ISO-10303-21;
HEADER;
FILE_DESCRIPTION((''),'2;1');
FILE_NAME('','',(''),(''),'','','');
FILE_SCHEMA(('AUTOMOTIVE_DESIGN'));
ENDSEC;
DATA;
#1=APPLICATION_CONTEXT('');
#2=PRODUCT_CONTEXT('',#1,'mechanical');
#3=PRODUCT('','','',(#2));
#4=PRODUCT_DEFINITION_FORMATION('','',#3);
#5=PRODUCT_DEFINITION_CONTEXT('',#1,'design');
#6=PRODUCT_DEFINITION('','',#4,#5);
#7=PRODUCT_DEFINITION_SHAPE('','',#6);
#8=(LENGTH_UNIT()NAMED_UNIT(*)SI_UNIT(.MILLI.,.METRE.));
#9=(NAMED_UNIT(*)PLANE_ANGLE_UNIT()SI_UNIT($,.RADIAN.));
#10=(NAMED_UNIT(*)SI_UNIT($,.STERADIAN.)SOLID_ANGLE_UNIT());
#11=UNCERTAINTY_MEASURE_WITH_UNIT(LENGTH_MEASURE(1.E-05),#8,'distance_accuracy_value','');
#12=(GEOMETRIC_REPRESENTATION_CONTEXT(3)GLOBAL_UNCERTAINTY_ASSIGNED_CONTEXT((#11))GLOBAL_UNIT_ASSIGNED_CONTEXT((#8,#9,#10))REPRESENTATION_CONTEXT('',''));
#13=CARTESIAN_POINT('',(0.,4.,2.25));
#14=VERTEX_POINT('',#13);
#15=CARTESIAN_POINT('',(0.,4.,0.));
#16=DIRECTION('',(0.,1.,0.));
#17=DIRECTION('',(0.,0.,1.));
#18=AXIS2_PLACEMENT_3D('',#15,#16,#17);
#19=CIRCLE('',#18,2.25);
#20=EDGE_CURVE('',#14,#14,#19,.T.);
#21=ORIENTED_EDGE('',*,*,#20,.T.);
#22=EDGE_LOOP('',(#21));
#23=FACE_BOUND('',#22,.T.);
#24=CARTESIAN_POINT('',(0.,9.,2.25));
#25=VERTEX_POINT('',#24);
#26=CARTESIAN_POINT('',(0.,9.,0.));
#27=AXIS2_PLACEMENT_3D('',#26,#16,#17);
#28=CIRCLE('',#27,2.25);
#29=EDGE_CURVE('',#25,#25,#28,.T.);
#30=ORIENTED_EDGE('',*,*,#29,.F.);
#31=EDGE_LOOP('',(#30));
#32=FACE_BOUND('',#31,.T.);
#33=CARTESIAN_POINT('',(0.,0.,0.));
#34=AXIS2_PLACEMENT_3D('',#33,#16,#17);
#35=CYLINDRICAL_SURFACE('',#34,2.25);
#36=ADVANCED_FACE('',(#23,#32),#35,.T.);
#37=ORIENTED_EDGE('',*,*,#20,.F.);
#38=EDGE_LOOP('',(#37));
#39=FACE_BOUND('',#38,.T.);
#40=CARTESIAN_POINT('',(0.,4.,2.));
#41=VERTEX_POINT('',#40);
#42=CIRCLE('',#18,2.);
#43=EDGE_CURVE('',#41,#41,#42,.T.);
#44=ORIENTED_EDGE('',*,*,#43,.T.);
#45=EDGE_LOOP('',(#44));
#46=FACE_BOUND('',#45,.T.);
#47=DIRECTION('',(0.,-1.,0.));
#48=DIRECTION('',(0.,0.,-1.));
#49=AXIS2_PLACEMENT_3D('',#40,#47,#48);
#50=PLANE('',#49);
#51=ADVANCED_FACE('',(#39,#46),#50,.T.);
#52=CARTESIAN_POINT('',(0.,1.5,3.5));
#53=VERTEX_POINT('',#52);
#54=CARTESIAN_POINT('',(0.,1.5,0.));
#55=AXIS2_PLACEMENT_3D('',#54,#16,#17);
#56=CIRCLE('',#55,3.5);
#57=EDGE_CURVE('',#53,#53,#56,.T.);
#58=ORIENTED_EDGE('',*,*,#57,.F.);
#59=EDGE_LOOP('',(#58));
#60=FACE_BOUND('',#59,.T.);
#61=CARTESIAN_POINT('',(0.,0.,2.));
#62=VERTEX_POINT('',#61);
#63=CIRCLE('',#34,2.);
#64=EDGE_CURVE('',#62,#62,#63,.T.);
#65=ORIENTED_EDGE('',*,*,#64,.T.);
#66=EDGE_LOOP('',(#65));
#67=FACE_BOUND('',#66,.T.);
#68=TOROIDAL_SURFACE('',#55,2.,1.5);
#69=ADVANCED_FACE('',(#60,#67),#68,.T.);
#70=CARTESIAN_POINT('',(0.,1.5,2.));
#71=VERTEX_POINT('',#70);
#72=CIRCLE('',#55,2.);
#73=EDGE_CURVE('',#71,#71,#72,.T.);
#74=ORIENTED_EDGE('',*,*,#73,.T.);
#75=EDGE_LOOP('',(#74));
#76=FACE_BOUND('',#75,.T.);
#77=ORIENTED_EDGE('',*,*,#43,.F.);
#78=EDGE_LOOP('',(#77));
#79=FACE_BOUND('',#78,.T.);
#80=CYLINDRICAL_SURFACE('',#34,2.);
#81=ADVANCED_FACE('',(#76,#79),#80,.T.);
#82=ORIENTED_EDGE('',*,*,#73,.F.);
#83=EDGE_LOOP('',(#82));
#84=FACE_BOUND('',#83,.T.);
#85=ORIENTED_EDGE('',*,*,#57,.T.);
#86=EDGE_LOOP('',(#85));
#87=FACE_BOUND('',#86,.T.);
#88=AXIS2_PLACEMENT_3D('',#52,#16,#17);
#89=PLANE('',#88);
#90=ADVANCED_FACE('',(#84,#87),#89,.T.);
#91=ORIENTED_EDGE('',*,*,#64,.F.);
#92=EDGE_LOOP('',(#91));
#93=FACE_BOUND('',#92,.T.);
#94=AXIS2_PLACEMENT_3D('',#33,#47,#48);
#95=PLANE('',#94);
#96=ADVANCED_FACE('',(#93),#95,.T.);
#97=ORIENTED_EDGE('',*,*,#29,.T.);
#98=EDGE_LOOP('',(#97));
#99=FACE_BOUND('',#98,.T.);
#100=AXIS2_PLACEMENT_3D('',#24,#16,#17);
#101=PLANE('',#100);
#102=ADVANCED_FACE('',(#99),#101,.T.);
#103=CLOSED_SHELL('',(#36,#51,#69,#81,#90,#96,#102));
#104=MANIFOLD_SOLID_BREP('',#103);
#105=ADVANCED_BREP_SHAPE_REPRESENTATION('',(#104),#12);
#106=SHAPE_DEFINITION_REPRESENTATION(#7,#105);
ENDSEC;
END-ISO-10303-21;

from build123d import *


with BuildPart() as part:
    # Esboço1 → Revolução1 (revolve)
    with BuildSketch(Plane(origin=(0, 0, 0), x_dir=(0, 0, -1), z_dir=(1, 0, 0))):
        with BuildLine():
            Line((0, 0), (-2, 0))
            ThreePointArc((-2, 0), (-3.060660172, 0.439339828), (-3.5, 1.5))
            Line((-3.5, 1.5), (-2, 1.5))
            Line((-2, 1.5), (-2, 4))
            Line((-2, 4), (-2.25, 4))
            Line((-2.25, 4), (-2.25, 9))
            Line((-2.25, 9), (0, 9))
            Line((0, 9), (0, 0))
        make_face()
    revolve(axis=Axis((0, 0, 0), (0, -1, 0)))


solid = part.part
